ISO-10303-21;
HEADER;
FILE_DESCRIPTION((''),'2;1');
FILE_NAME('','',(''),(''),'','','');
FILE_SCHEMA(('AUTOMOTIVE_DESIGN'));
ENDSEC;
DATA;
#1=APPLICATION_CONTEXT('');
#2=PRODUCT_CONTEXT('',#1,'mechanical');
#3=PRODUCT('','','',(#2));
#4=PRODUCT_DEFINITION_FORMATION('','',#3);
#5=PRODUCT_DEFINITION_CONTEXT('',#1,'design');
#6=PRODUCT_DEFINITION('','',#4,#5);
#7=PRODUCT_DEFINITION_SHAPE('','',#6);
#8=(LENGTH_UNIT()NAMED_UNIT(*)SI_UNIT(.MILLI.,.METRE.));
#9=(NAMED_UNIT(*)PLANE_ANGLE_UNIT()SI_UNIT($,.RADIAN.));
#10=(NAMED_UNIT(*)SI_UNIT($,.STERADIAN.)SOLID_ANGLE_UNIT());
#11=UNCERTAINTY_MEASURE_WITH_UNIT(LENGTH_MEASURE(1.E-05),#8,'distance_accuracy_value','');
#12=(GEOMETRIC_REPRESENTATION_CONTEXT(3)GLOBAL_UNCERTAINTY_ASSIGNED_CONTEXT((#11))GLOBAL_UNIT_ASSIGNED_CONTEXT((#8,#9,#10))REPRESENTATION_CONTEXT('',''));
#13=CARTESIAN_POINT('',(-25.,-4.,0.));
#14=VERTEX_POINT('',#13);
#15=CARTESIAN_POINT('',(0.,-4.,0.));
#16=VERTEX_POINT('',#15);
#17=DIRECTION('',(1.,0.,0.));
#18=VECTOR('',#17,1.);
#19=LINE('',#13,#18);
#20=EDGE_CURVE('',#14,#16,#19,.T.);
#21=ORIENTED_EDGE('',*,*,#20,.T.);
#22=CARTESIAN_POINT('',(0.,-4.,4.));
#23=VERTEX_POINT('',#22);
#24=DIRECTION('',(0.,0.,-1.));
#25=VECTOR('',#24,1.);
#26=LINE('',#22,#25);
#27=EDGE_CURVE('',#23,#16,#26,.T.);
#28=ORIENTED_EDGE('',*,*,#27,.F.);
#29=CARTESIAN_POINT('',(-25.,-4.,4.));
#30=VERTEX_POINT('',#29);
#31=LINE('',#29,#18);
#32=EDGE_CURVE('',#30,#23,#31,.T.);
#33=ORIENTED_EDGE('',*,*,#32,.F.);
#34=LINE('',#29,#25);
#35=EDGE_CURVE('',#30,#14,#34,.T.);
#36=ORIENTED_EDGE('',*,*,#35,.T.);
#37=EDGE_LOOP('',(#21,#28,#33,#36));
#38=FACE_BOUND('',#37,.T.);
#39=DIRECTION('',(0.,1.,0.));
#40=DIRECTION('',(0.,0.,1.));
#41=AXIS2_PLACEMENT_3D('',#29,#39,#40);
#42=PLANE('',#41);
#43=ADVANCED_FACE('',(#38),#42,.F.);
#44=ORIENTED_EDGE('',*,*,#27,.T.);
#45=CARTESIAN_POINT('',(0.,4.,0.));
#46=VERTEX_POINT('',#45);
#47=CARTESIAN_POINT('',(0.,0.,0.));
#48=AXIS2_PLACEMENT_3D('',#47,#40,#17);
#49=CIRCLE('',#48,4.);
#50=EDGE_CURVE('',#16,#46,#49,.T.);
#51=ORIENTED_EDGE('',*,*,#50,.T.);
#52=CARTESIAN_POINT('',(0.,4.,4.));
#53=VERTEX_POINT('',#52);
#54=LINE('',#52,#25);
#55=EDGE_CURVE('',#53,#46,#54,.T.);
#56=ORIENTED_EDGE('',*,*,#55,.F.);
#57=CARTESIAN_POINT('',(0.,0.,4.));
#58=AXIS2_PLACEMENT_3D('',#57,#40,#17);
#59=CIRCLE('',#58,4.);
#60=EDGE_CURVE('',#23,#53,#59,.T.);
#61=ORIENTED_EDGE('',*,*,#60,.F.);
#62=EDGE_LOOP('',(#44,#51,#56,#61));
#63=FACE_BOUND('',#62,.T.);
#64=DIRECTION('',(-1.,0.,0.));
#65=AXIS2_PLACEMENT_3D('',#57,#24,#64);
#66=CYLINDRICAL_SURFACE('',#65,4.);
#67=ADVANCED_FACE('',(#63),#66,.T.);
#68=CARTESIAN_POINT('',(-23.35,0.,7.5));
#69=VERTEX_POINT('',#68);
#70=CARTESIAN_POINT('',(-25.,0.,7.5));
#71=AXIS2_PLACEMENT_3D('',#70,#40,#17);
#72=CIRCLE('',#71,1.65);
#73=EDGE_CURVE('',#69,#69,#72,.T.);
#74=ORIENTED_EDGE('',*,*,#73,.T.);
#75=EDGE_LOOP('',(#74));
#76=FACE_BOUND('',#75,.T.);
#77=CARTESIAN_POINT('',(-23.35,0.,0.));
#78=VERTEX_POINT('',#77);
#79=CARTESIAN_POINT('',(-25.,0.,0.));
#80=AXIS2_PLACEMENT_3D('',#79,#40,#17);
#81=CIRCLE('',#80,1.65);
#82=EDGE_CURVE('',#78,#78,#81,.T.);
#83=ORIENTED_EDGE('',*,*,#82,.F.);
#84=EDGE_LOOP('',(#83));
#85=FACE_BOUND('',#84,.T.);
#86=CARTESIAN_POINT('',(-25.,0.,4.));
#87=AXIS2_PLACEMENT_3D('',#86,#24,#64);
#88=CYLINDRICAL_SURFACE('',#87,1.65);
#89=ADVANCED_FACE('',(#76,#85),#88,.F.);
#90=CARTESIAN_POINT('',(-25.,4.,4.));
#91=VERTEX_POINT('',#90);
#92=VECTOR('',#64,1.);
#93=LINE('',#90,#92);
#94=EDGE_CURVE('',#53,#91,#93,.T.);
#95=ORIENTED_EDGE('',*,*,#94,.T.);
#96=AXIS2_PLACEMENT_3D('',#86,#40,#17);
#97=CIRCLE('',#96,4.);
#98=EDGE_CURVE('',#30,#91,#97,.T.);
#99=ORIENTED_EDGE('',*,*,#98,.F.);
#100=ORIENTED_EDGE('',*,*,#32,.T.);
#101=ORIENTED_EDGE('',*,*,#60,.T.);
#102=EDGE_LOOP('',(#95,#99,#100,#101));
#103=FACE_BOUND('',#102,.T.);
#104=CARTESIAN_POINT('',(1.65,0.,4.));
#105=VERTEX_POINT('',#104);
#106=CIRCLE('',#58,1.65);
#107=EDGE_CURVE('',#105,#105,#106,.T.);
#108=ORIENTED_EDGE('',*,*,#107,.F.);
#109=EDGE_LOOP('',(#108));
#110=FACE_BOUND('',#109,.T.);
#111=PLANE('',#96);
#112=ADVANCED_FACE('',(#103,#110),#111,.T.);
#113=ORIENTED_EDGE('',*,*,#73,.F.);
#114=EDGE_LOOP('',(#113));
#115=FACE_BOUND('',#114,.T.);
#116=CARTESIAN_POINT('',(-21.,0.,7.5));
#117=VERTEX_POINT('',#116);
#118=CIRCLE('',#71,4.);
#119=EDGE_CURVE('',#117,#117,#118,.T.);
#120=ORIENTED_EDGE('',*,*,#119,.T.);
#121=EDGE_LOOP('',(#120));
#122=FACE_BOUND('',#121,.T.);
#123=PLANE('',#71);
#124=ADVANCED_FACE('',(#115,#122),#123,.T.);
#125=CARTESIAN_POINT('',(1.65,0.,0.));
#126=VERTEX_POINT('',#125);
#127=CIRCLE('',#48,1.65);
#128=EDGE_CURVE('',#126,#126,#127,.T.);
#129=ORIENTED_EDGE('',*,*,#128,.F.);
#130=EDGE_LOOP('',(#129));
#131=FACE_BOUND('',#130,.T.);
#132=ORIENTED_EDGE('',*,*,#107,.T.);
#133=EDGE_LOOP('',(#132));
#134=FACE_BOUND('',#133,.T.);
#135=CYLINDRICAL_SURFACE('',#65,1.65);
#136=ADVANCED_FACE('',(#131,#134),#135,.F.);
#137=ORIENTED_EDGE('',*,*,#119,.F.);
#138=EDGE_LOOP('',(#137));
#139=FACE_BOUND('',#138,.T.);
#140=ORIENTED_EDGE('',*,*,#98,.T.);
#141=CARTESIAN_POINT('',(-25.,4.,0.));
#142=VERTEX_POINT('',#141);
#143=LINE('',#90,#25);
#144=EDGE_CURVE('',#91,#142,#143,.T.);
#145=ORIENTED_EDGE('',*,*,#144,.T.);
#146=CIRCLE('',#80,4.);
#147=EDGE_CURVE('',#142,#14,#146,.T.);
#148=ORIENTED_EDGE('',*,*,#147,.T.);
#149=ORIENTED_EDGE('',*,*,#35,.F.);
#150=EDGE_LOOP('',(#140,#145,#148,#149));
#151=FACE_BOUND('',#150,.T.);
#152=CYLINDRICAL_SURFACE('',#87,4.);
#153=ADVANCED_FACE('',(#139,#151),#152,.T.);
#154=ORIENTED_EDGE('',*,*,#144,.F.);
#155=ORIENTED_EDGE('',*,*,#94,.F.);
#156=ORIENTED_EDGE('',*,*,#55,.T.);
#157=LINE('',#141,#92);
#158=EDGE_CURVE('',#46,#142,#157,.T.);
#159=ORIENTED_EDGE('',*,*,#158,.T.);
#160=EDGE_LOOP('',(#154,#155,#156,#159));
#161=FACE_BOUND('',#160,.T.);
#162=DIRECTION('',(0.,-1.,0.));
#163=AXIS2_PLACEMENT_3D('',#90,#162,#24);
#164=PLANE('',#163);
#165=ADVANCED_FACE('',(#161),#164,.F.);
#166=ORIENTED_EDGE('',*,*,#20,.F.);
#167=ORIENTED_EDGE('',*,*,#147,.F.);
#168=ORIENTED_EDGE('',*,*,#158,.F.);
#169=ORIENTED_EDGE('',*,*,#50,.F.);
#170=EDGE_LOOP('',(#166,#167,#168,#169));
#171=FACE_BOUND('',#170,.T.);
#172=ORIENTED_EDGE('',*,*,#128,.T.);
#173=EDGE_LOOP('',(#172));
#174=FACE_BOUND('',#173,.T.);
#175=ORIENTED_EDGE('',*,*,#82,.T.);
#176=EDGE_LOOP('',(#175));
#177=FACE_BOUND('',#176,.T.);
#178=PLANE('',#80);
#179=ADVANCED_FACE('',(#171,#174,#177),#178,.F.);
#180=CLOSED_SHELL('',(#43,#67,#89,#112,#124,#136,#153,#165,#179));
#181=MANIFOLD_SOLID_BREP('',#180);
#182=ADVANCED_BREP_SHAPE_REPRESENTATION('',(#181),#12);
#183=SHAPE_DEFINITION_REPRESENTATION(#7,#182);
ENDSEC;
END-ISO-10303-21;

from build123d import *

# Parameters (mm, degrees)
SKETCH1_R           = 1.65
BOSS_EXTRUDE1_DEPTH = 4
SKETCH2_R           = 4
SKETCH2_R_2         = 1.65
BOSS_EXTRUDE2_DEPTH = 3.5


with BuildPart() as part:
    # Sketch1 → Boss-Extrude1 (new body)
    with BuildSketch(Plane.XY):
        with BuildLine():
            Line((-25, 4), (0, 4))
            ThreePointArc((0, 4), (4, 0), (0, -4))
            Line((0, -4), (-25, -4))
            ThreePointArc((-25, -4), (-29, 0), (-25, 4))
        make_face()
        Circle(SKETCH1_R, mode=Mode.SUBTRACT)
        with Locations((-25, 0)):
            Circle(SKETCH1_R, mode=Mode.SUBTRACT)
    extrude(amount=BOSS_EXTRUDE1_DEPTH)

    # Sketch2 → Boss-Extrude2 (add)
    with BuildSketch(Plane.XY.offset(4)):
        with Locations(Location((-25, 0, 0), (0, 0, 270))):
            Circle(SKETCH2_R)
        with Locations((-25, 0)):
            Circle(SKETCH2_R_2, mode=Mode.SUBTRACT)
    extrude(amount=BOSS_EXTRUDE2_DEPTH)


solid = part.part
